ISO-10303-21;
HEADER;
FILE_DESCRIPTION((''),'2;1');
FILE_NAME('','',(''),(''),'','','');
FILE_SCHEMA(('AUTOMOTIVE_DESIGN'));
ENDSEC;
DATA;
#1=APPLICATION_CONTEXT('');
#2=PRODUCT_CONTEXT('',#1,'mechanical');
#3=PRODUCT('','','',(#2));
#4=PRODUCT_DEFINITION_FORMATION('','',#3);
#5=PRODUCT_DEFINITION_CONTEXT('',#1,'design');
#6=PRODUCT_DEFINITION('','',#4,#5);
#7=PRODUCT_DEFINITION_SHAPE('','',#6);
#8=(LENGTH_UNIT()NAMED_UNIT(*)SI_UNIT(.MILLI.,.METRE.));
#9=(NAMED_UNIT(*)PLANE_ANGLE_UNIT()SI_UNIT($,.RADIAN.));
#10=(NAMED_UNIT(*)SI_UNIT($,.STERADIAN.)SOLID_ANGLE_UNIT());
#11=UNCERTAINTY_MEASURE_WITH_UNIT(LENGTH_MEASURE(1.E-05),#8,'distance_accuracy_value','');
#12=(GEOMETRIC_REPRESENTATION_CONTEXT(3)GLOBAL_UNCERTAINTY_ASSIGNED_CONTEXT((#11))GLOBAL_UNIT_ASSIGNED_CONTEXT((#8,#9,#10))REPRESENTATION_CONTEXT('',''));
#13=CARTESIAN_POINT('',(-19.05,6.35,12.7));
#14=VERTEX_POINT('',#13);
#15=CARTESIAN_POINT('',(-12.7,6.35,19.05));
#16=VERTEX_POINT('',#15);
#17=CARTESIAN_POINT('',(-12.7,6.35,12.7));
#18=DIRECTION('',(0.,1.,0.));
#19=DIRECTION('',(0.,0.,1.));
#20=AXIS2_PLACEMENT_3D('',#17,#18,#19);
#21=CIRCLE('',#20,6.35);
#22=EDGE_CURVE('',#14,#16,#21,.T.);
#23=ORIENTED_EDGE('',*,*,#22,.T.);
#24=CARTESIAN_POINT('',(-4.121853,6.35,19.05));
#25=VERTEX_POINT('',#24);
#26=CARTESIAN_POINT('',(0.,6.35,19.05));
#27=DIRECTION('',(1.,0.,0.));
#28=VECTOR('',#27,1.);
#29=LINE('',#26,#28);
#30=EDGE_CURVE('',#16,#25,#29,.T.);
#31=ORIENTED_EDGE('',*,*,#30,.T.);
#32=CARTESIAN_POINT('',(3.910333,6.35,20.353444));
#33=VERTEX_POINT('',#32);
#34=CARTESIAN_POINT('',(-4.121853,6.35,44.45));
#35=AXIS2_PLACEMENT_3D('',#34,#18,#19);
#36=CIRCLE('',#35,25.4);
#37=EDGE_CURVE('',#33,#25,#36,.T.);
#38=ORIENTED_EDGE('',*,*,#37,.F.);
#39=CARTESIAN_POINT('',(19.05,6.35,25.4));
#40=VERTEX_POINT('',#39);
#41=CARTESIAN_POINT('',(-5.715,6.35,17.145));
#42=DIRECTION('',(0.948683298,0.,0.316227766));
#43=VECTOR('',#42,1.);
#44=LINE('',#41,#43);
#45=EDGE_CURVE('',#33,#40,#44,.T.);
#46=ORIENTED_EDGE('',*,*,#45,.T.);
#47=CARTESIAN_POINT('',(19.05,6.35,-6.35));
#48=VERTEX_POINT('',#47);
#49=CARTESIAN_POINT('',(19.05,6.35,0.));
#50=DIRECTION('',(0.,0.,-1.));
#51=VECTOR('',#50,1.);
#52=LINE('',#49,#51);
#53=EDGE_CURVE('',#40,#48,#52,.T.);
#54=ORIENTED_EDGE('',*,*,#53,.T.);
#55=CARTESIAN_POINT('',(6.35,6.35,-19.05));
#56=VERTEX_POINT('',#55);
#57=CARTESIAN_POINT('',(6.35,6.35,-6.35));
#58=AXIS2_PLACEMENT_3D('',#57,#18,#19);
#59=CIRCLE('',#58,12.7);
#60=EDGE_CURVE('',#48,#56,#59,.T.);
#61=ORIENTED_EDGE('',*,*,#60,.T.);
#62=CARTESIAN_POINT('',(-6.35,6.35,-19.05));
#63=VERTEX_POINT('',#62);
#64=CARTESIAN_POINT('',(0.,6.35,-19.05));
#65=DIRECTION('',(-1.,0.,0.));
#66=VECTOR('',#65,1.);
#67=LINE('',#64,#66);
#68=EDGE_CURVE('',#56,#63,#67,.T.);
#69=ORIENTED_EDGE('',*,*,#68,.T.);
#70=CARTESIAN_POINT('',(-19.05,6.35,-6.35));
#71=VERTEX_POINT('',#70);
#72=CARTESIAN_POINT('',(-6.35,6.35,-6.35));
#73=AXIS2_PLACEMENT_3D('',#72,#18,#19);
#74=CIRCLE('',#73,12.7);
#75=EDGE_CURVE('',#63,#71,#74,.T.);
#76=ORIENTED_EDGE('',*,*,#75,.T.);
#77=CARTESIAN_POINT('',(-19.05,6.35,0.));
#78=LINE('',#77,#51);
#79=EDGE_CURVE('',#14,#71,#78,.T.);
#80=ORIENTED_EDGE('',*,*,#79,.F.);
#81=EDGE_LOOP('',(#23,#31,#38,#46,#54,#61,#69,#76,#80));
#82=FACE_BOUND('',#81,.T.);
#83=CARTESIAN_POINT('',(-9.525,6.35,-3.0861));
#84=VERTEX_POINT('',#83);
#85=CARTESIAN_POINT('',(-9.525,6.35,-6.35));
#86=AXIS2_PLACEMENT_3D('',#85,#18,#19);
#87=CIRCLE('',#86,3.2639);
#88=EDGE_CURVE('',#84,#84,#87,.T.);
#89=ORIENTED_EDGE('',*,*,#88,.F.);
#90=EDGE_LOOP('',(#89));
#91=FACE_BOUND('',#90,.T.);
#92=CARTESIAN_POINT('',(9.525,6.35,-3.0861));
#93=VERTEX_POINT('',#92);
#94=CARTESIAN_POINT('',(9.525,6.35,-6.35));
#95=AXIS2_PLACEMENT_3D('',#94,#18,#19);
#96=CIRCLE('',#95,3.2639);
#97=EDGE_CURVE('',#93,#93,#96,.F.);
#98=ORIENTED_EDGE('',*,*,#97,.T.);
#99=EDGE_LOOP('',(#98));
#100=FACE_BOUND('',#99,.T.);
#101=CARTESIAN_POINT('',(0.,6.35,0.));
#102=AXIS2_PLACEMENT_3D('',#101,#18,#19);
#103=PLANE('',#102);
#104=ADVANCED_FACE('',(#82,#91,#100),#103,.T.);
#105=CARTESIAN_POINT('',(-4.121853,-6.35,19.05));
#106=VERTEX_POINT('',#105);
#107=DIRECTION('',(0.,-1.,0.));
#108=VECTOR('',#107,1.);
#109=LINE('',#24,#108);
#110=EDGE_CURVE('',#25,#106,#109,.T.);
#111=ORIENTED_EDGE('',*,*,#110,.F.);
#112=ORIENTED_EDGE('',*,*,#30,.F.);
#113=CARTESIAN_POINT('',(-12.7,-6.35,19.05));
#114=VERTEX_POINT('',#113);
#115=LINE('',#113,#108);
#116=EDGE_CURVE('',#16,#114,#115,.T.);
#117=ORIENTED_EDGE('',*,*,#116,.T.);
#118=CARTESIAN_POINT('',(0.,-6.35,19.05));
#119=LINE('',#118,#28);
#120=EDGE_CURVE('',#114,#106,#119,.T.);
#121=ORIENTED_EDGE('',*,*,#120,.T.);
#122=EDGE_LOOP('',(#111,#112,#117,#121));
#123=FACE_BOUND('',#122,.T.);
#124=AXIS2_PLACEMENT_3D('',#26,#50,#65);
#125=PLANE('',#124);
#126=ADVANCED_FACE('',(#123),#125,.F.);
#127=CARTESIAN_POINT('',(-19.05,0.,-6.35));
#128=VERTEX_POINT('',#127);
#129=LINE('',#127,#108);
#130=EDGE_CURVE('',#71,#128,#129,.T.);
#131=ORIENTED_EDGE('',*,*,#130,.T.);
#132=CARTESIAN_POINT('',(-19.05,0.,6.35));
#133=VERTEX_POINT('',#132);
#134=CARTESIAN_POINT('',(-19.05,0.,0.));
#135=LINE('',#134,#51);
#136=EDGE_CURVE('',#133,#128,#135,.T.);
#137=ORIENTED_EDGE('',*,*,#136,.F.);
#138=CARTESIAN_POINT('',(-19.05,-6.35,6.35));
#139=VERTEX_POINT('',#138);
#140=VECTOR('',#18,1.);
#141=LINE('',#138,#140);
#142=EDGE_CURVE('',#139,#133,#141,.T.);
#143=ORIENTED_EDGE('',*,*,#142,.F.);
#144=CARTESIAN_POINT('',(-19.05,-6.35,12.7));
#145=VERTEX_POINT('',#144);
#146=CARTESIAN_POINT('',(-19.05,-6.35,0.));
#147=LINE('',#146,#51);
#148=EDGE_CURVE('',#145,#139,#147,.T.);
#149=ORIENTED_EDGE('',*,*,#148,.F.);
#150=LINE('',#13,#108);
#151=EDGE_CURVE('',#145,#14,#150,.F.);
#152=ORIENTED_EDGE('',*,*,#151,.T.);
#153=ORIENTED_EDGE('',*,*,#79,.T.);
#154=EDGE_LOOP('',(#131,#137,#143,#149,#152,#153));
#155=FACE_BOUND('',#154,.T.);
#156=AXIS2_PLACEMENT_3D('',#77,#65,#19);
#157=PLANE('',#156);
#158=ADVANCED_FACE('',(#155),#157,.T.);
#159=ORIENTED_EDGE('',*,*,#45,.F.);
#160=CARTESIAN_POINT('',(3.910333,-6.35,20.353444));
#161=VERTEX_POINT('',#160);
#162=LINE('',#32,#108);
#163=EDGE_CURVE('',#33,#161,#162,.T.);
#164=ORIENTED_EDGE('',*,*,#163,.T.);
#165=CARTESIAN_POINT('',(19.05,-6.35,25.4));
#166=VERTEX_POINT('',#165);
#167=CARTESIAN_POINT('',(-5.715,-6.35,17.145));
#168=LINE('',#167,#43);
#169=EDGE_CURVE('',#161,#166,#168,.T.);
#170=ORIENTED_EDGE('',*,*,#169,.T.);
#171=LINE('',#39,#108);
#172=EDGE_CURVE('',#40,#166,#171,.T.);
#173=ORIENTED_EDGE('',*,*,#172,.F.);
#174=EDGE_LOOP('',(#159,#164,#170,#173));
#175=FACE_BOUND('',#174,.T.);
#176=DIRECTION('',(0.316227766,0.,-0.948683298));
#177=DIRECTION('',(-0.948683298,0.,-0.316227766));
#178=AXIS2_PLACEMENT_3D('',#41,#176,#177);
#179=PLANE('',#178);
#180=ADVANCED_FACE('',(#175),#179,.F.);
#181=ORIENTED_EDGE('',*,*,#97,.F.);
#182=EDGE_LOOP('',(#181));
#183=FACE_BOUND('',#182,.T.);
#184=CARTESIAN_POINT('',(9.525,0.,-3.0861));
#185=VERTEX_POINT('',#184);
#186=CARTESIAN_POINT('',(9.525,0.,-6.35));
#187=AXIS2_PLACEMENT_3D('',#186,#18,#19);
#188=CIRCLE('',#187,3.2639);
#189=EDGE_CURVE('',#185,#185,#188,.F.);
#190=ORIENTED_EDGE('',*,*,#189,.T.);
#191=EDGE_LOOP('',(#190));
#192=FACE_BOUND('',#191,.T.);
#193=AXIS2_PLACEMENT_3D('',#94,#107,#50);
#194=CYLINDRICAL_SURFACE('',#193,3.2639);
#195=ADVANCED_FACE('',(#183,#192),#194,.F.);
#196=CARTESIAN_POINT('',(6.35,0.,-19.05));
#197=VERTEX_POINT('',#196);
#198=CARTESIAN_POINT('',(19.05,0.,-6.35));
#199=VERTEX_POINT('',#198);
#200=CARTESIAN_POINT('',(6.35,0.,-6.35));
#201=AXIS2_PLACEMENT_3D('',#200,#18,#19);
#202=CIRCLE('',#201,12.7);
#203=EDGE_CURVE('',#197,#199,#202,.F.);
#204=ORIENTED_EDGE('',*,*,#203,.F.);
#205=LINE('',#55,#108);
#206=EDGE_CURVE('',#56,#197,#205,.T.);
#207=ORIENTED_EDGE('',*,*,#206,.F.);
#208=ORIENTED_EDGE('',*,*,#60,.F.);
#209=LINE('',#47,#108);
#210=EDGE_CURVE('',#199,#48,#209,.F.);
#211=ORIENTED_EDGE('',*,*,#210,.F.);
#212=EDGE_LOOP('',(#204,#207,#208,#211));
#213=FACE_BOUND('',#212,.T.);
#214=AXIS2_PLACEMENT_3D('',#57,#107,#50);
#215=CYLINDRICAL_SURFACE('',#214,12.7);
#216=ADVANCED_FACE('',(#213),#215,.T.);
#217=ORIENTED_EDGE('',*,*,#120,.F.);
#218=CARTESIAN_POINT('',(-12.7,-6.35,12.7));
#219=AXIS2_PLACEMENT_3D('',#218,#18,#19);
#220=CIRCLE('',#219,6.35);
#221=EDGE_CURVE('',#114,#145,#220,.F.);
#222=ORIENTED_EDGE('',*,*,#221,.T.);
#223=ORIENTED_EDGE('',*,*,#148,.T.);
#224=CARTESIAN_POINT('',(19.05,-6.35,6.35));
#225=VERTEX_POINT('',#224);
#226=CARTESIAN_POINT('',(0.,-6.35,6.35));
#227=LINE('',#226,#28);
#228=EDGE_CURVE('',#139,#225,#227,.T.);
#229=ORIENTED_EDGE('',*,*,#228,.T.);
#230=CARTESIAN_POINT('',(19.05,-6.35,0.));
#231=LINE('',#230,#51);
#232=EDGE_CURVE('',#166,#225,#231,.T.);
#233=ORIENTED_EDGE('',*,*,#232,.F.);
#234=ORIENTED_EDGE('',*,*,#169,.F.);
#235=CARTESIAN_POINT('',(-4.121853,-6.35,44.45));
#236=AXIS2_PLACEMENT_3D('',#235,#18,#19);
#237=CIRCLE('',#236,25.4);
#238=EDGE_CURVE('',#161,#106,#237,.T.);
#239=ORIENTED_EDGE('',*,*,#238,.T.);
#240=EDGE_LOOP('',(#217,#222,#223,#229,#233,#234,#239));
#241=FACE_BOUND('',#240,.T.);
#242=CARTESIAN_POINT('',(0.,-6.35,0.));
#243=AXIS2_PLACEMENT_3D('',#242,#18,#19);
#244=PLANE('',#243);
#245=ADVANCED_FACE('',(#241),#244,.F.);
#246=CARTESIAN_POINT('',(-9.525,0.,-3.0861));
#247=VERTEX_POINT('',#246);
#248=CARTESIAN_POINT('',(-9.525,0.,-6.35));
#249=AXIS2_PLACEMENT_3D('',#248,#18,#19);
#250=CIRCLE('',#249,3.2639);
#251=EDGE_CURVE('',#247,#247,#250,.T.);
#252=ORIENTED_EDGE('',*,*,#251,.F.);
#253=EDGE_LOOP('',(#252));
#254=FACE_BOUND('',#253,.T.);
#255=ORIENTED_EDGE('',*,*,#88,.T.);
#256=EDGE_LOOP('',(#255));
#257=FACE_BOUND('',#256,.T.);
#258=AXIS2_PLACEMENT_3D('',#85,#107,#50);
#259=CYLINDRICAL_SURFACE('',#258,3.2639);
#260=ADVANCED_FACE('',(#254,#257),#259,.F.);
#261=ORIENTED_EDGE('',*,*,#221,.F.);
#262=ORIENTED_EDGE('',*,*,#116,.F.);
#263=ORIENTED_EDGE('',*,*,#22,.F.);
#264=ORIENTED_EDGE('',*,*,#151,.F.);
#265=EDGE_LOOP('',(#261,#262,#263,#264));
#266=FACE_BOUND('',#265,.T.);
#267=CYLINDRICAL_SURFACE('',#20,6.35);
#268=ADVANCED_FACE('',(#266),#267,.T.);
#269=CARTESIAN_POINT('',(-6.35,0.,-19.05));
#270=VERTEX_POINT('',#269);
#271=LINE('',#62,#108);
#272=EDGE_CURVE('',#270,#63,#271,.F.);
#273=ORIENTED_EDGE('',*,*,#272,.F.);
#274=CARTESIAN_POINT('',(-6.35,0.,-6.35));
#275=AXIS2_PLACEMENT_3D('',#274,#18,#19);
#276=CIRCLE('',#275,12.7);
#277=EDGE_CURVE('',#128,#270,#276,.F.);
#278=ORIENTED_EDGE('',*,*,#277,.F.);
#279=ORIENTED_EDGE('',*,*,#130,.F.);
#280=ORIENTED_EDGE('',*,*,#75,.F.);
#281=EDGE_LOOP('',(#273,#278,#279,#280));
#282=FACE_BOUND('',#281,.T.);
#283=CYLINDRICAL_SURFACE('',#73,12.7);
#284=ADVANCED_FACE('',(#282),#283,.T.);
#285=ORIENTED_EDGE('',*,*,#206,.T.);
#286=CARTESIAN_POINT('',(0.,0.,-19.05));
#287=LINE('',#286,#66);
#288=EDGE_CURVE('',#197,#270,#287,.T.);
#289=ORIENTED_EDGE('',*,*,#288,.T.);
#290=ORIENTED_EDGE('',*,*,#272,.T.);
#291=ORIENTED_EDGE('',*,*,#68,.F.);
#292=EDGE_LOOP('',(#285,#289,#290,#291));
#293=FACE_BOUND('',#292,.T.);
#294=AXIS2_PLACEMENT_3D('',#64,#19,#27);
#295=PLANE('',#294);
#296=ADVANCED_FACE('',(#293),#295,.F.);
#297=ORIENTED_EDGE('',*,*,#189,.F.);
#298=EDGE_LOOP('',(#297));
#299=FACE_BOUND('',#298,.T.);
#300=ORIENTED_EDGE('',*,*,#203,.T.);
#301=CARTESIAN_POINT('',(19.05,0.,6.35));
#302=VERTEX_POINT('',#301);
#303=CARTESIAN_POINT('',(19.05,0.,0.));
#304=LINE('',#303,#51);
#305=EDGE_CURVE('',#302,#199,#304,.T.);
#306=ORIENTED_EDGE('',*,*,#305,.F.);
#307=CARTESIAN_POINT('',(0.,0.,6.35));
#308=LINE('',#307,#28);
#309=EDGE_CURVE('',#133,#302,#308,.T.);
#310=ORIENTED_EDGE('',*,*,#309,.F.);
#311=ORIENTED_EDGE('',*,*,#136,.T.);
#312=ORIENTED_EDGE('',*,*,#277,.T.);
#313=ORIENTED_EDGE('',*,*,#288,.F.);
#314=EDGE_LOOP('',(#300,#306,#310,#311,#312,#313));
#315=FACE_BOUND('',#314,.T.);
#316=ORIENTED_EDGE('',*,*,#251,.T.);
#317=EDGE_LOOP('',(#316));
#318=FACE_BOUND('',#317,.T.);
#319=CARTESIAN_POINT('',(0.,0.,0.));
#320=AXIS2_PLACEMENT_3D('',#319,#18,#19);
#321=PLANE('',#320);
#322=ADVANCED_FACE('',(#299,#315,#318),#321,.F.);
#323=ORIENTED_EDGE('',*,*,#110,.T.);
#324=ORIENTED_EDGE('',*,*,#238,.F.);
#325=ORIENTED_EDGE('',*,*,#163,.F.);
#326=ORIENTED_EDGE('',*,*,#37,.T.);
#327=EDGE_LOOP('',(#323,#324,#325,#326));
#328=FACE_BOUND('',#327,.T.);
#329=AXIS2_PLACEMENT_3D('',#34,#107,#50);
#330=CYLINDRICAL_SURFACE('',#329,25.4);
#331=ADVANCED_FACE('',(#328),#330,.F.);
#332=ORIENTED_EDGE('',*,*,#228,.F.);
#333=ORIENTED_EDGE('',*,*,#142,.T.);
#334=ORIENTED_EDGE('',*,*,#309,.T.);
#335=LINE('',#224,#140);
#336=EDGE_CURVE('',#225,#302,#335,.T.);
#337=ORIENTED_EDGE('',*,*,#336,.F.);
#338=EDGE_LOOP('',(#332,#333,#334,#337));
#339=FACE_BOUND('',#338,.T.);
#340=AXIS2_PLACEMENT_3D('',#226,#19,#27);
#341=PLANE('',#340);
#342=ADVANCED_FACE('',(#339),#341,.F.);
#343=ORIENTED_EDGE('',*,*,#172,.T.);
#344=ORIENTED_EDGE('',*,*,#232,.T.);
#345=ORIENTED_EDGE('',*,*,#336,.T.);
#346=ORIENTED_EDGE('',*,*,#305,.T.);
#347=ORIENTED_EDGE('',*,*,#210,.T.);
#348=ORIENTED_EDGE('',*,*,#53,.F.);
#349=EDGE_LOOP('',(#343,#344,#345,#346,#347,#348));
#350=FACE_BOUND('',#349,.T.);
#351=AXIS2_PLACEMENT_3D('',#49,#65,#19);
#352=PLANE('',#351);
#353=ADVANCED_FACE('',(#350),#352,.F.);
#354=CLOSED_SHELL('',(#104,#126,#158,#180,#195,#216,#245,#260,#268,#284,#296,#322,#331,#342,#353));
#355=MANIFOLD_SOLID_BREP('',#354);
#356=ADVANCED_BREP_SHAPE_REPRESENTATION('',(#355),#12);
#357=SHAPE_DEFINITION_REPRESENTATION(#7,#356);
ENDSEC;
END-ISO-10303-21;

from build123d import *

# Parameters (mm, degrees)
SKETCH1_R           = 3.2639
BOSS_EXTRUDE1_DEPTH = 6.35
BOSS_EXTRUDE2_START = -6.35
BOSS_EXTRUDE2_DEPTH = 6.35
FILLET1_R           = 6.35
FILLET2_R           = 12.7


with BuildPart() as part:
    # Sketch1 → Boss-Extrude1 (new body)
    with BuildSketch(Plane(origin=(0, 0, 0), x_dir=(1, 0, 0), z_dir=(0, 1, 0))):
        with BuildLine():
            Line((-19.05, 19.05), (-19.05, -19.05))
            Line((-19.05, -19.05), (-4.121852568, -19.05))
            ThreePointArc((-4.121852568, -19.05), (-0.053223596, -19.377978576), (3.910332689, -20.35344423))
            Line((3.910332689, -20.35344423), (19.05, -25.4))
            Line((19.05, -25.4), (19.05, 19.05))
            Line((19.05, 19.05), (-19.05, 19.05))
        make_face()
        with Locations((-9.525, 6.35)):
            Circle(SKETCH1_R, mode=Mode.SUBTRACT)
        with Locations((9.525, 6.35)):
            Circle(SKETCH1_R, mode=Mode.SUBTRACT)
    extrude(amount=BOSS_EXTRUDE1_DEPTH)

    # Sketch1<7> → Boss-Extrude2 (add)
    with BuildSketch(Plane(origin=(0, 0, 0), x_dir=(1, 0, 0), z_dir=(0, 1, 0)).offset(BOSS_EXTRUDE2_START)):
        with BuildLine():
            Line((19.05, -6.35), (-19.05, -6.35))
            Line((-19.05, -6.35), (-19.05, -19.05))
            Line((-19.05, -19.05), (-4.121852568, -19.05))
            ThreePointArc((-4.121852568, -19.05), (-0.053223596, -19.377978576), (3.910332689, -20.35344423))
            Line((3.910332689, -20.35344423), (19.05, -25.4))
            Line((19.05, -25.4), (19.05, -19.05))
            Line((19.05, -19.05), (19.05, -6.35))
        make_face()
    extrude(amount=BOSS_EXTRUDE2_DEPTH)

    # Fillet1
    fillet1_edges = [part.edges().sort_by_distance(p)[0] for p in [
        (-19.05, 0, 19.05),
    ]]
    fillet(fillet1_edges, radius=FILLET1_R)

    # Fillet2
    fillet2_edges = [part.edges().sort_by_distance(p)[0] for p in [
        (19.05, 3.175, -19.05),
        (-19.05, 3.175, -19.05),
    ]]
    fillet(fillet2_edges, radius=FILLET2_R)


solid = part.part
